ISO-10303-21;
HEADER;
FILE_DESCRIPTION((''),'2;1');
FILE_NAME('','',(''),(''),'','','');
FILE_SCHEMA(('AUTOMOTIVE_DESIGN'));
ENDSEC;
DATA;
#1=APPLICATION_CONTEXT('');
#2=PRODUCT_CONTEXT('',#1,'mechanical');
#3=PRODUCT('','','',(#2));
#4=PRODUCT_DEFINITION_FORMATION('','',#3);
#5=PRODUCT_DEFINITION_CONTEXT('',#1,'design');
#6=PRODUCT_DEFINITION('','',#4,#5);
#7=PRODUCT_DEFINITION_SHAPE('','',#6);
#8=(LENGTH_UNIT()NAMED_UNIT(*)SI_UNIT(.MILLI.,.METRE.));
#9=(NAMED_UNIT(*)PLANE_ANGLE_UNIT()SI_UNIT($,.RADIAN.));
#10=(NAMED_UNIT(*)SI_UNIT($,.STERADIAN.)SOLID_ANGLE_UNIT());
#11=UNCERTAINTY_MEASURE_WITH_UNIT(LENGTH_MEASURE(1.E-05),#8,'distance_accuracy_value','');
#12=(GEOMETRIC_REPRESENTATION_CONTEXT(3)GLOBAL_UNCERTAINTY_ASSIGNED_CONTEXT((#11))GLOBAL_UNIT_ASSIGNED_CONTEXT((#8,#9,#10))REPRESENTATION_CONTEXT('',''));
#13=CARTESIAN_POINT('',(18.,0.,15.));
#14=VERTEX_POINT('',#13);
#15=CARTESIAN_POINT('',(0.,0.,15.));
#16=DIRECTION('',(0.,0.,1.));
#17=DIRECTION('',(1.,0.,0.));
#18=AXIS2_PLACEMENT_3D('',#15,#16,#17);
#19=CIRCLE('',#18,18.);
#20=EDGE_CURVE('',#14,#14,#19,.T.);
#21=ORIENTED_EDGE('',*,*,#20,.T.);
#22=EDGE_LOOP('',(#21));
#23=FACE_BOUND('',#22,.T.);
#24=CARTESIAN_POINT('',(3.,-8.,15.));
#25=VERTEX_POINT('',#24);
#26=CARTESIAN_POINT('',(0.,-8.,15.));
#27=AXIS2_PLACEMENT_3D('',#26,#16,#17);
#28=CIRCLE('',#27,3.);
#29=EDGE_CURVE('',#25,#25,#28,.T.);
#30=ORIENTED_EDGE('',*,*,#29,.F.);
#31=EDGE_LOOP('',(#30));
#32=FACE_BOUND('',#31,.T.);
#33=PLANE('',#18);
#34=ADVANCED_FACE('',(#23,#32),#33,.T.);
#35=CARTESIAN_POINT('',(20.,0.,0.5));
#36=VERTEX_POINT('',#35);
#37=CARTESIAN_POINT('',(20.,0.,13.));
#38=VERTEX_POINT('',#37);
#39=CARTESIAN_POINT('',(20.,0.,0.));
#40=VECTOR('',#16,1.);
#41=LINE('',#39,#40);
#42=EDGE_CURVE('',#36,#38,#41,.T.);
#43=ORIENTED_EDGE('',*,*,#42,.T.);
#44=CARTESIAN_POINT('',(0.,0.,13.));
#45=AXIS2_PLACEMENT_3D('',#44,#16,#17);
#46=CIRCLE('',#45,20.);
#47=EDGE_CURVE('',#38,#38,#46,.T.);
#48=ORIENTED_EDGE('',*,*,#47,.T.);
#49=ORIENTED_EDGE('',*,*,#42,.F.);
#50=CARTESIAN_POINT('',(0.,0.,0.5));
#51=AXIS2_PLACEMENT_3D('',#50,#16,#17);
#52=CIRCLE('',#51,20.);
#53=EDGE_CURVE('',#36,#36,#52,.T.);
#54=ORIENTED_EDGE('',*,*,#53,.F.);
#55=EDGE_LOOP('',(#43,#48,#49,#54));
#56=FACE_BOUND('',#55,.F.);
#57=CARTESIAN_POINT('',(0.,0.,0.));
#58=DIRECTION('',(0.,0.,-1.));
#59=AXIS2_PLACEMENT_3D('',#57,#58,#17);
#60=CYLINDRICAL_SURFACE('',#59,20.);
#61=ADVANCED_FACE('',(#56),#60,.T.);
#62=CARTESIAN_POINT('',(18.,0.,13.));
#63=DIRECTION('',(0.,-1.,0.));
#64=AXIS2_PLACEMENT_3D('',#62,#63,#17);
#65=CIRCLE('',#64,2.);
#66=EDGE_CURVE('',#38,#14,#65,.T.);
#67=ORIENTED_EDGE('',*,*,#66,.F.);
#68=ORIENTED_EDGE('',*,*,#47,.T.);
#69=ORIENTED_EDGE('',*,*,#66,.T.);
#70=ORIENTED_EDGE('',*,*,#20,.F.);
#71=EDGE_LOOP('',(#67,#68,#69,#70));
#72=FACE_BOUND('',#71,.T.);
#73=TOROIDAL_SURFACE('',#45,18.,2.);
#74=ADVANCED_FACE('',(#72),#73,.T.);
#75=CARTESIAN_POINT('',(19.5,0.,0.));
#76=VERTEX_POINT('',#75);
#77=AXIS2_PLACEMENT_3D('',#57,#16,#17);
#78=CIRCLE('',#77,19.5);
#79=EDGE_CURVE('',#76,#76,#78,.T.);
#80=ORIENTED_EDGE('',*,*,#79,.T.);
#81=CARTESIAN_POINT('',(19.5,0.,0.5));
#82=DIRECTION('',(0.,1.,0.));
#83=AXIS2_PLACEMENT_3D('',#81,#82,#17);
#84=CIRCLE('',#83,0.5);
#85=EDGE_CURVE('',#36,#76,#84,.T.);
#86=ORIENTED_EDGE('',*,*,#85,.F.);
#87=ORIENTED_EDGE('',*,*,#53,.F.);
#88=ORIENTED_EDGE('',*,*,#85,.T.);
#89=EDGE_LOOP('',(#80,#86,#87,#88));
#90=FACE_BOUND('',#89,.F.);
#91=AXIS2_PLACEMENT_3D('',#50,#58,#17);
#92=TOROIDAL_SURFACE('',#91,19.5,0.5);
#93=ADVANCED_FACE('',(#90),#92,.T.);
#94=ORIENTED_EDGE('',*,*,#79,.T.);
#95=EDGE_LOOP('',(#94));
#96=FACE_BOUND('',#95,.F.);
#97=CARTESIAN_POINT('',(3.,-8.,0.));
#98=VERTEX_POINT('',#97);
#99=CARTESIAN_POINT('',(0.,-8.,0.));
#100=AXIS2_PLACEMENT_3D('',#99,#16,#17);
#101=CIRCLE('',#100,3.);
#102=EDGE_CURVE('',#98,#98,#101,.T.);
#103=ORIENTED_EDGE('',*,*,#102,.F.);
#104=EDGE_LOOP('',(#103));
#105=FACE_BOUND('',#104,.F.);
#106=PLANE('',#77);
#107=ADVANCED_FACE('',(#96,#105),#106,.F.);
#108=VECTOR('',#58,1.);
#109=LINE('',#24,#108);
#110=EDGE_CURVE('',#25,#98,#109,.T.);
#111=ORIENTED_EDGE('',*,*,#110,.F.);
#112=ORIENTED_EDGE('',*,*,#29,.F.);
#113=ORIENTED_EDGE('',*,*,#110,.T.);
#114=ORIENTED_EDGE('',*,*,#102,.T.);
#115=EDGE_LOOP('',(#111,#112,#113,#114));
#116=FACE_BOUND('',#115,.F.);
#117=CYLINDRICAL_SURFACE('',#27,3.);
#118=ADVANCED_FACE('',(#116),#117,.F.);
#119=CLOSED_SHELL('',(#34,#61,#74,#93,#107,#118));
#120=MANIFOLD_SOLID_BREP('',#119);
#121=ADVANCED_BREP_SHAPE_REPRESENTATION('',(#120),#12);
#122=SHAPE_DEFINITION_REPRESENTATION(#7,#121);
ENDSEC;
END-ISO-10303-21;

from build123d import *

# Parameters (mm, degrees)
SKETCH1_R           = 20
BOSS_EXTRUDE1_DEPTH = 15
SKETCH2_R           = 3
CUT_EXTRUDE1_DEPTH  = 16
FILLET1_R           = 2
FILLET2_R           = 0.5


with BuildPart() as part:
    # Sketch1 → Boss-Extrude1 (new body)
    with BuildSketch(Plane.XY):
        Circle(SKETCH1_R)
    extrude(amount=BOSS_EXTRUDE1_DEPTH)

    # Sketch2 → Cut-Extrude1 (cut, through all)
    with BuildSketch(Plane.XY.offset(15)):
        with Locations((0, -8)):
            Circle(SKETCH2_R)
    extrude(amount=-CUT_EXTRUDE1_DEPTH, mode=Mode.SUBTRACT)

    # Fillet1
    fillet1_edges = [part.edges().sort_by_distance(p)[0] for p in [
        (-20, 0, 15),
    ]]
    fillet(fillet1_edges, radius=FILLET1_R)

    # Fillet2
    fillet2_edges = [part.edges().sort_by_distance(p)[0] for p in [
        (-20, 0, 0),
    ]]
    fillet(fillet2_edges, radius=FILLET2_R)


solid = part.part
